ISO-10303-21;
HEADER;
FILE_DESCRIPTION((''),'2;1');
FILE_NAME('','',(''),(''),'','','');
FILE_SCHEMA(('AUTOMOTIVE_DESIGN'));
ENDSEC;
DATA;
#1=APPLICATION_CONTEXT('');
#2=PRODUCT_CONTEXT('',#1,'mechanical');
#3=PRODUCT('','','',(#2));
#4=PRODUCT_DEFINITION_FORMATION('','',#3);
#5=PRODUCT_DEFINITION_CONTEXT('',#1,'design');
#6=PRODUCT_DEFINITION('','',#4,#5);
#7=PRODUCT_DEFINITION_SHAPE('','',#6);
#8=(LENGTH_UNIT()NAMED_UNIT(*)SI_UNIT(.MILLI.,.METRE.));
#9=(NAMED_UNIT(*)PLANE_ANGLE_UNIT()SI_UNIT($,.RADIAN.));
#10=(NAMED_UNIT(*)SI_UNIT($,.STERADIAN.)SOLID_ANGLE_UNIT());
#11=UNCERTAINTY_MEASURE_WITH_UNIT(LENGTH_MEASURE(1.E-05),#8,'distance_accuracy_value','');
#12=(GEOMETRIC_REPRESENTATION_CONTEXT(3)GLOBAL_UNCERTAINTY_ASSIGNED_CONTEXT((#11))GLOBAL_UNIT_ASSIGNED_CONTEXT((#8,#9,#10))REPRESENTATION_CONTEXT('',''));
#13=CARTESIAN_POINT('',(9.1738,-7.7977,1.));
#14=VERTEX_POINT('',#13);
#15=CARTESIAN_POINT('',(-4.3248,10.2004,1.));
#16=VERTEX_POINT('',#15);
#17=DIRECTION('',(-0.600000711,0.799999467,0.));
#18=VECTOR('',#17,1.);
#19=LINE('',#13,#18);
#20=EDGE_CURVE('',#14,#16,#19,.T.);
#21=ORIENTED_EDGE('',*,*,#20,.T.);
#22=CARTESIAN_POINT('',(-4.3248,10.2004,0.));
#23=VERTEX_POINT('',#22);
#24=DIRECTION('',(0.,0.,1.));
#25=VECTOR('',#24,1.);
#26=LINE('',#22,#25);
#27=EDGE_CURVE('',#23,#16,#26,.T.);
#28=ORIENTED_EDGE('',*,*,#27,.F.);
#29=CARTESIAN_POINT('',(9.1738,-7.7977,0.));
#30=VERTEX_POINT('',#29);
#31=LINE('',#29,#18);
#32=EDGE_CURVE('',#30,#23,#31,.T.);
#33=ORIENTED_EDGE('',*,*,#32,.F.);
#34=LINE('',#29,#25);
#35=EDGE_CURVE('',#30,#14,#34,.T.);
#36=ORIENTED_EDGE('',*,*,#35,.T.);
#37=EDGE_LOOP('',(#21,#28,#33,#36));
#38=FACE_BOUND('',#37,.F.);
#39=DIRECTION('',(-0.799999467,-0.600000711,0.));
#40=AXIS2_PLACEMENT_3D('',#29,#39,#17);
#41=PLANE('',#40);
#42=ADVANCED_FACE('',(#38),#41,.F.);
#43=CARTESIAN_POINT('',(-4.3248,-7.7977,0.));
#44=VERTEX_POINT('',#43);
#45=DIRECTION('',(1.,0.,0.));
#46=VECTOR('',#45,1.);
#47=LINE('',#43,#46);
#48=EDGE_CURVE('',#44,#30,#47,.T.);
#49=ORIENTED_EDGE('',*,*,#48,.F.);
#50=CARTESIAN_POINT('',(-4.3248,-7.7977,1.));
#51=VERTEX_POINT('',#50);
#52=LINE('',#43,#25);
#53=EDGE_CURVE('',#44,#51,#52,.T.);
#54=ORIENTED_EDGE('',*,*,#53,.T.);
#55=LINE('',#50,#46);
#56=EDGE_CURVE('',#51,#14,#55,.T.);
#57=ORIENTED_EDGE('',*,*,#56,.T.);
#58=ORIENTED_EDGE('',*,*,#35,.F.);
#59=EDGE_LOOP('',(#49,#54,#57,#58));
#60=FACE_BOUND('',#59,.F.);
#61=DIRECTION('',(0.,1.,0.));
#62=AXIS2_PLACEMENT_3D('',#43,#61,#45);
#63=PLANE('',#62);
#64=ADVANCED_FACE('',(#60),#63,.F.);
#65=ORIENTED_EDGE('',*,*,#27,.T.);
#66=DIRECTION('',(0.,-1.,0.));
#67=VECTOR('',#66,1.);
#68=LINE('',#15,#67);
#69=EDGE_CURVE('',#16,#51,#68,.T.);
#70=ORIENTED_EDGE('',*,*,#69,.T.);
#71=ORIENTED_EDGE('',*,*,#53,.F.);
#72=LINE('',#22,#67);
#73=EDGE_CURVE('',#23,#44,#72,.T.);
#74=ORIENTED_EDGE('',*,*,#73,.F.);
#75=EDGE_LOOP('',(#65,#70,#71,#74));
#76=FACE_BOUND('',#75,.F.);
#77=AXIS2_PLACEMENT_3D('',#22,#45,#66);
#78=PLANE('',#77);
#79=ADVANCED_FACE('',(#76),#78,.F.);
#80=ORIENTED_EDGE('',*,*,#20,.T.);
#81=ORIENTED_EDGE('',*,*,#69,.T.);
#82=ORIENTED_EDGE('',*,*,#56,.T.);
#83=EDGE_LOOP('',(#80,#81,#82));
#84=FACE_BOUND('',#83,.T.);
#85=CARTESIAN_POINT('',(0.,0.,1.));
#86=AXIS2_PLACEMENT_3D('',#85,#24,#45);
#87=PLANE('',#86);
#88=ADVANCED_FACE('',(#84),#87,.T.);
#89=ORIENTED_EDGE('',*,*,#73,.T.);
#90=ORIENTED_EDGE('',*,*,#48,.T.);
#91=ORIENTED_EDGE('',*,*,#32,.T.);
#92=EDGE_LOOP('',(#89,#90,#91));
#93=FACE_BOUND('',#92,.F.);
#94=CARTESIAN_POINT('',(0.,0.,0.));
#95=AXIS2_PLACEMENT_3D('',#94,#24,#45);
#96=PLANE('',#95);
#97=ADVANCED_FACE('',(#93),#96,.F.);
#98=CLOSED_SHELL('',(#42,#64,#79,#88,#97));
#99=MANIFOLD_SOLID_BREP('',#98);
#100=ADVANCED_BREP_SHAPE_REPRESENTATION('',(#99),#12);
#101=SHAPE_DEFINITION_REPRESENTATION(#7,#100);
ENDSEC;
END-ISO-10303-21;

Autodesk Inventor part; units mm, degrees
ref_plane "YZ Plane" through (0, 0, 0) normal (1, 0, 0) x (0, 1, 0)
ref_plane "XZ Plane" through (0, 0, 0) normal (0, 1, 0) x (-1, 0, 0)
ref_plane "XY Plane" through (0, 0, 0) normal (0, 0, 1) x (1, 0, 0)
sketch "Sketch1" plane through (0, 0, 0) normal (0, 0, 1) x (1, 0, 0)
  line L0 (-4.3248, 10.2004) -> (-4.3248, -7.7977)
  line L1 (-4.3248, -7.7977) -> (9.1738, -7.7977)
  line L2 (9.1738, -7.7977) -> (-4.3248, 10.2004)
  point P0 (0, 0)
extrude "Extrusion1" add sketch "Sketch1" along normal blind 1
properties part number "Maze part 4"
